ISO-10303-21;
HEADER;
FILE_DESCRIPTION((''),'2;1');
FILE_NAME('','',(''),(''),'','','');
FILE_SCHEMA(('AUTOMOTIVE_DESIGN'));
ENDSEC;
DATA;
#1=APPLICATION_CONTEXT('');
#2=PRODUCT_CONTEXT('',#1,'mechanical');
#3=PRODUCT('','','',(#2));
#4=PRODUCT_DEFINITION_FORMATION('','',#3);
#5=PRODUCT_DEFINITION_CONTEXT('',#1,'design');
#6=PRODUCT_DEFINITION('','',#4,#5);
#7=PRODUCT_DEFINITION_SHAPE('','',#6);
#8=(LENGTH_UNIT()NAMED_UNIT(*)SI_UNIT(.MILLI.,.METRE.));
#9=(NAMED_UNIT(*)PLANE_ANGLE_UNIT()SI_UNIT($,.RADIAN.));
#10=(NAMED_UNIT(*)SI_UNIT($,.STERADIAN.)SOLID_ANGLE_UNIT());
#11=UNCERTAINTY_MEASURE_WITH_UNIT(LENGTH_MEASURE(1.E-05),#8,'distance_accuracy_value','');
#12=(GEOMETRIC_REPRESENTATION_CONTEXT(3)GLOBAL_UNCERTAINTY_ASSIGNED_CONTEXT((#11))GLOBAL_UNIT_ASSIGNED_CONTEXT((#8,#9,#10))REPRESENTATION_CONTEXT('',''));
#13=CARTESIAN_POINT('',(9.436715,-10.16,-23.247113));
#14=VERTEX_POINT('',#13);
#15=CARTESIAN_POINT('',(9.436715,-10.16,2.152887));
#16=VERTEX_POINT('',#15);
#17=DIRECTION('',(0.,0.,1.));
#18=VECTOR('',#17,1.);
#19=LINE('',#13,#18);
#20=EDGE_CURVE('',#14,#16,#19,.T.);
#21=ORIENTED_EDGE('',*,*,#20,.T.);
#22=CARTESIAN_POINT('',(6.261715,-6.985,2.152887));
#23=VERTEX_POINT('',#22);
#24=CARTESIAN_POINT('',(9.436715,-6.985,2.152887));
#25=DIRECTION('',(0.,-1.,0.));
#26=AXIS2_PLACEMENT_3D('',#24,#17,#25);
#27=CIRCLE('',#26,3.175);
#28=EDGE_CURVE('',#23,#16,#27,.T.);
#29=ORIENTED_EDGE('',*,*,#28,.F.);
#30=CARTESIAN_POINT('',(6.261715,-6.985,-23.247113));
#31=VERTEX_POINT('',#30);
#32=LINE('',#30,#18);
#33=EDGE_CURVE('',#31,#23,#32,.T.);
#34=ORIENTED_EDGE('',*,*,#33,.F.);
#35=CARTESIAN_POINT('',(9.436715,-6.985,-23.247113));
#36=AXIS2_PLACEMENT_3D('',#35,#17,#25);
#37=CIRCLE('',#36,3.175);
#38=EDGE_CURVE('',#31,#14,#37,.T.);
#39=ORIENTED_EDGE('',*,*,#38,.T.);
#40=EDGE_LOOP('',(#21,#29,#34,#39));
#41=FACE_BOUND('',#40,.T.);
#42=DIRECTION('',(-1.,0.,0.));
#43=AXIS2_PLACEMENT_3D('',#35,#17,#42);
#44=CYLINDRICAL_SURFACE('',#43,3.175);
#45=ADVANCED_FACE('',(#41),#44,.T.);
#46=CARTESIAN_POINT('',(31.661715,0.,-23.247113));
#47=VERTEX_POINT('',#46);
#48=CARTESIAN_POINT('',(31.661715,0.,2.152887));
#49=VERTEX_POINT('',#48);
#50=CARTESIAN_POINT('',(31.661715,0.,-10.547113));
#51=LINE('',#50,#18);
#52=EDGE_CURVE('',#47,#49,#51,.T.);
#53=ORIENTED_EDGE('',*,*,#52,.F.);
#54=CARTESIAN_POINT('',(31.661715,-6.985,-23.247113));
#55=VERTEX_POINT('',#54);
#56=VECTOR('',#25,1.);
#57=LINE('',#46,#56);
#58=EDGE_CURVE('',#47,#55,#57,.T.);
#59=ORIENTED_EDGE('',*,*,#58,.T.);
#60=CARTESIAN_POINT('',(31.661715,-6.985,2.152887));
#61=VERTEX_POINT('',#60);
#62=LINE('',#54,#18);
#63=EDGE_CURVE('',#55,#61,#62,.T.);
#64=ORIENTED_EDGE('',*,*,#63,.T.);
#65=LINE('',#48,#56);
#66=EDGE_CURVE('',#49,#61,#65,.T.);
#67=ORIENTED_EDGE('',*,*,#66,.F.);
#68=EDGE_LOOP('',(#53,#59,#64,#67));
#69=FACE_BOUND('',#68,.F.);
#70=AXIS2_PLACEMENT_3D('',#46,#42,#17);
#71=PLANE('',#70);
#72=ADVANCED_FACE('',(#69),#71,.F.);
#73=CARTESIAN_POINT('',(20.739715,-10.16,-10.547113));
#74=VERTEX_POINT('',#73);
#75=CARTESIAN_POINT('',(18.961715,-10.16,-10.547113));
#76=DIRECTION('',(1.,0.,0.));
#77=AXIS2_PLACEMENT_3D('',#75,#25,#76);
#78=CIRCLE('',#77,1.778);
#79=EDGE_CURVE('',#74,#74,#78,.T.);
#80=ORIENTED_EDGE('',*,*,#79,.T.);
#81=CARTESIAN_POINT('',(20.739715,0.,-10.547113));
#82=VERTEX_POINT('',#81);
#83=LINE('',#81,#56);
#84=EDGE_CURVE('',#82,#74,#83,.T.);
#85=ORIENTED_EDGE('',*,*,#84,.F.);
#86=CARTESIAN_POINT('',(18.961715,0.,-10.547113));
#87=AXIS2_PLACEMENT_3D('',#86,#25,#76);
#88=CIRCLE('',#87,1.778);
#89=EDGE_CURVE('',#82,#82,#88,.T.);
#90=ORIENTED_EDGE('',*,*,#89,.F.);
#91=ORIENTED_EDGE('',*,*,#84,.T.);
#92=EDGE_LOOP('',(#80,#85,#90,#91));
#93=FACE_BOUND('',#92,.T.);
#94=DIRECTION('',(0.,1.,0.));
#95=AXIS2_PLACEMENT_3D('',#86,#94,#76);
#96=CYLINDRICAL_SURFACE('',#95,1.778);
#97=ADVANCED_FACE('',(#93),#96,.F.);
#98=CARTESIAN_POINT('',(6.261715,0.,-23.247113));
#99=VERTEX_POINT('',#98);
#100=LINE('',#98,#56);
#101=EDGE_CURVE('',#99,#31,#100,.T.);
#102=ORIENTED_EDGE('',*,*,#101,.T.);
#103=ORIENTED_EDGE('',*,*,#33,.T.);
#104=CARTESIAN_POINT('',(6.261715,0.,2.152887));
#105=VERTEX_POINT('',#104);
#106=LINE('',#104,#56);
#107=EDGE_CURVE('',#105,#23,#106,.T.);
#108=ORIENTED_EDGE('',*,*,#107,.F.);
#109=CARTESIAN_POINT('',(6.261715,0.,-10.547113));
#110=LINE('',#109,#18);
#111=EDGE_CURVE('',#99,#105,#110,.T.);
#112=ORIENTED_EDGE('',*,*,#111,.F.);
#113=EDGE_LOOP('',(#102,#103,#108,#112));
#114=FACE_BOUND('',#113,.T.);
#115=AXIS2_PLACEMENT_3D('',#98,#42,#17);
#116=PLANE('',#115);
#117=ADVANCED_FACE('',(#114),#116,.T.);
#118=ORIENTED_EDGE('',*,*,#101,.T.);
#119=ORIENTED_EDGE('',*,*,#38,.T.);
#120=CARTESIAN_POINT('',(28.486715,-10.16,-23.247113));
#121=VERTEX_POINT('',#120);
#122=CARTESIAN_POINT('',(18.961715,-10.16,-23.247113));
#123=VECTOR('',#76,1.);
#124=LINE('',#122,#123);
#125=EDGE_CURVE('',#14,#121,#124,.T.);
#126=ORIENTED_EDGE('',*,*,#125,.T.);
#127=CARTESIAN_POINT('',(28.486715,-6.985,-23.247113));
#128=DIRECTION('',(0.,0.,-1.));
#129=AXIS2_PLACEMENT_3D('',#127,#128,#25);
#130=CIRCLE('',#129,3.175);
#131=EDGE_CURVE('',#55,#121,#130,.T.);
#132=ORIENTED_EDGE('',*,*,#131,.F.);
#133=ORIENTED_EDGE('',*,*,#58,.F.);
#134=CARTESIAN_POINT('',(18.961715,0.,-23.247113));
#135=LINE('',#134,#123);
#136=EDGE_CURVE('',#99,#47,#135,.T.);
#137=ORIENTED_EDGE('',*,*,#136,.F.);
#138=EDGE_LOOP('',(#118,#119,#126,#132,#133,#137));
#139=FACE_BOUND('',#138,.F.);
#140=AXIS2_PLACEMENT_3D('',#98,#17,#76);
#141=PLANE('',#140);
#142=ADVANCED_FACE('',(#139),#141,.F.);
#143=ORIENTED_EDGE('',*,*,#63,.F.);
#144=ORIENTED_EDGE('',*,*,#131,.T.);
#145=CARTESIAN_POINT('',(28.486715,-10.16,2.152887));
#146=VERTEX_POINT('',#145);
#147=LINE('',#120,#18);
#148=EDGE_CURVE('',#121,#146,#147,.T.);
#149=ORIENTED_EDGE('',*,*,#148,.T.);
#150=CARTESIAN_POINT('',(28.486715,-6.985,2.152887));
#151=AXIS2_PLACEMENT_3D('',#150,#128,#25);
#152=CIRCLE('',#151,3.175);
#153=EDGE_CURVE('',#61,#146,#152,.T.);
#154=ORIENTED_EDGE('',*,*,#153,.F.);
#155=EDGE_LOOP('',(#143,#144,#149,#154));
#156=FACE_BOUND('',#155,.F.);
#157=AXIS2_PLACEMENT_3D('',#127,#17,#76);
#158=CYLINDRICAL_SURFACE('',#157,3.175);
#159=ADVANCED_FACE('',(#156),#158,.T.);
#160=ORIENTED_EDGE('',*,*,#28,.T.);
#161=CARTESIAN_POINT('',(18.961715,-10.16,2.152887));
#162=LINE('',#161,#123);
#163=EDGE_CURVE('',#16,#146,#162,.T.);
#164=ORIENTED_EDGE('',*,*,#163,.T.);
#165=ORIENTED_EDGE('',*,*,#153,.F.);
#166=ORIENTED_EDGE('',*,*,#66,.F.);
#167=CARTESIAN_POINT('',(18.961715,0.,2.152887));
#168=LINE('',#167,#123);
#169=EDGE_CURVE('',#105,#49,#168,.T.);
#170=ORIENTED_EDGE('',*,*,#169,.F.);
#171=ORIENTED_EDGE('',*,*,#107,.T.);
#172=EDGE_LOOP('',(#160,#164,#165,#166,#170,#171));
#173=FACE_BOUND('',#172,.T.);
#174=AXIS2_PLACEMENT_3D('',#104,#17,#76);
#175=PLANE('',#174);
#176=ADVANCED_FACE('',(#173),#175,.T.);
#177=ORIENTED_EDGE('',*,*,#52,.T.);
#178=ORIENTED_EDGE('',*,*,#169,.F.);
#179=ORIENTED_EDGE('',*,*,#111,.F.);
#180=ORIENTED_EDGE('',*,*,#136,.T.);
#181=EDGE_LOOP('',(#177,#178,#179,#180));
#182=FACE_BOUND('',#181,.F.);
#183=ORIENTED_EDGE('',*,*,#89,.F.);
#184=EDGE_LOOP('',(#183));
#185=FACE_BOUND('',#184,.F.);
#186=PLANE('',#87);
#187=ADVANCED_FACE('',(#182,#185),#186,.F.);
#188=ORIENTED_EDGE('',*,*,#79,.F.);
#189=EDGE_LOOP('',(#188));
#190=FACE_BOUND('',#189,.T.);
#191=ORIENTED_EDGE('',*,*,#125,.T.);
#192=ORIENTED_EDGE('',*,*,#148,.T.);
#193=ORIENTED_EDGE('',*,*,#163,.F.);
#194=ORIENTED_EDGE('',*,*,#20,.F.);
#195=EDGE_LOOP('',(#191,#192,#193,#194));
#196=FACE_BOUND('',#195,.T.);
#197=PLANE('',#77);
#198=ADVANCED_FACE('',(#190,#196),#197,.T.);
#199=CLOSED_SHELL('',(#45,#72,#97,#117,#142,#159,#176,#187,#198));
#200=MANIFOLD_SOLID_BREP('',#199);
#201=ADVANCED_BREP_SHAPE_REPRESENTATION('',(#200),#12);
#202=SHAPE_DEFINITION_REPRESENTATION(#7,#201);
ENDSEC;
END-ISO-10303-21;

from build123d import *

# Parameters (mm, degrees)
F0_W     = 25.4
F0_H     = 25.4
F0_R     = 1.778
F1_DEPTH = 10.16
F2_R     = 3.175


with BuildPart() as f1:
    # F0 (on Front) → F1 (new body)
    with BuildSketch(Plane.XZ):
        with Locations((18.961715, -10.547113)):
            Rectangle(F0_W, F0_H)
        with Locations((18.961715, -10.547113)):
            Circle(F0_R, mode=Mode.SUBTRACT)
    extrude(amount=F1_DEPTH)

    # F2
    f2_edges = [f1.edges().sort_by_distance(p)[0] for p in [
        (6.261715, -10.16, -10.547113),
        (31.661715, -10.16, -10.547113),
    ]]
    fillet(f2_edges, radius=F2_R)


solid = f1.part
